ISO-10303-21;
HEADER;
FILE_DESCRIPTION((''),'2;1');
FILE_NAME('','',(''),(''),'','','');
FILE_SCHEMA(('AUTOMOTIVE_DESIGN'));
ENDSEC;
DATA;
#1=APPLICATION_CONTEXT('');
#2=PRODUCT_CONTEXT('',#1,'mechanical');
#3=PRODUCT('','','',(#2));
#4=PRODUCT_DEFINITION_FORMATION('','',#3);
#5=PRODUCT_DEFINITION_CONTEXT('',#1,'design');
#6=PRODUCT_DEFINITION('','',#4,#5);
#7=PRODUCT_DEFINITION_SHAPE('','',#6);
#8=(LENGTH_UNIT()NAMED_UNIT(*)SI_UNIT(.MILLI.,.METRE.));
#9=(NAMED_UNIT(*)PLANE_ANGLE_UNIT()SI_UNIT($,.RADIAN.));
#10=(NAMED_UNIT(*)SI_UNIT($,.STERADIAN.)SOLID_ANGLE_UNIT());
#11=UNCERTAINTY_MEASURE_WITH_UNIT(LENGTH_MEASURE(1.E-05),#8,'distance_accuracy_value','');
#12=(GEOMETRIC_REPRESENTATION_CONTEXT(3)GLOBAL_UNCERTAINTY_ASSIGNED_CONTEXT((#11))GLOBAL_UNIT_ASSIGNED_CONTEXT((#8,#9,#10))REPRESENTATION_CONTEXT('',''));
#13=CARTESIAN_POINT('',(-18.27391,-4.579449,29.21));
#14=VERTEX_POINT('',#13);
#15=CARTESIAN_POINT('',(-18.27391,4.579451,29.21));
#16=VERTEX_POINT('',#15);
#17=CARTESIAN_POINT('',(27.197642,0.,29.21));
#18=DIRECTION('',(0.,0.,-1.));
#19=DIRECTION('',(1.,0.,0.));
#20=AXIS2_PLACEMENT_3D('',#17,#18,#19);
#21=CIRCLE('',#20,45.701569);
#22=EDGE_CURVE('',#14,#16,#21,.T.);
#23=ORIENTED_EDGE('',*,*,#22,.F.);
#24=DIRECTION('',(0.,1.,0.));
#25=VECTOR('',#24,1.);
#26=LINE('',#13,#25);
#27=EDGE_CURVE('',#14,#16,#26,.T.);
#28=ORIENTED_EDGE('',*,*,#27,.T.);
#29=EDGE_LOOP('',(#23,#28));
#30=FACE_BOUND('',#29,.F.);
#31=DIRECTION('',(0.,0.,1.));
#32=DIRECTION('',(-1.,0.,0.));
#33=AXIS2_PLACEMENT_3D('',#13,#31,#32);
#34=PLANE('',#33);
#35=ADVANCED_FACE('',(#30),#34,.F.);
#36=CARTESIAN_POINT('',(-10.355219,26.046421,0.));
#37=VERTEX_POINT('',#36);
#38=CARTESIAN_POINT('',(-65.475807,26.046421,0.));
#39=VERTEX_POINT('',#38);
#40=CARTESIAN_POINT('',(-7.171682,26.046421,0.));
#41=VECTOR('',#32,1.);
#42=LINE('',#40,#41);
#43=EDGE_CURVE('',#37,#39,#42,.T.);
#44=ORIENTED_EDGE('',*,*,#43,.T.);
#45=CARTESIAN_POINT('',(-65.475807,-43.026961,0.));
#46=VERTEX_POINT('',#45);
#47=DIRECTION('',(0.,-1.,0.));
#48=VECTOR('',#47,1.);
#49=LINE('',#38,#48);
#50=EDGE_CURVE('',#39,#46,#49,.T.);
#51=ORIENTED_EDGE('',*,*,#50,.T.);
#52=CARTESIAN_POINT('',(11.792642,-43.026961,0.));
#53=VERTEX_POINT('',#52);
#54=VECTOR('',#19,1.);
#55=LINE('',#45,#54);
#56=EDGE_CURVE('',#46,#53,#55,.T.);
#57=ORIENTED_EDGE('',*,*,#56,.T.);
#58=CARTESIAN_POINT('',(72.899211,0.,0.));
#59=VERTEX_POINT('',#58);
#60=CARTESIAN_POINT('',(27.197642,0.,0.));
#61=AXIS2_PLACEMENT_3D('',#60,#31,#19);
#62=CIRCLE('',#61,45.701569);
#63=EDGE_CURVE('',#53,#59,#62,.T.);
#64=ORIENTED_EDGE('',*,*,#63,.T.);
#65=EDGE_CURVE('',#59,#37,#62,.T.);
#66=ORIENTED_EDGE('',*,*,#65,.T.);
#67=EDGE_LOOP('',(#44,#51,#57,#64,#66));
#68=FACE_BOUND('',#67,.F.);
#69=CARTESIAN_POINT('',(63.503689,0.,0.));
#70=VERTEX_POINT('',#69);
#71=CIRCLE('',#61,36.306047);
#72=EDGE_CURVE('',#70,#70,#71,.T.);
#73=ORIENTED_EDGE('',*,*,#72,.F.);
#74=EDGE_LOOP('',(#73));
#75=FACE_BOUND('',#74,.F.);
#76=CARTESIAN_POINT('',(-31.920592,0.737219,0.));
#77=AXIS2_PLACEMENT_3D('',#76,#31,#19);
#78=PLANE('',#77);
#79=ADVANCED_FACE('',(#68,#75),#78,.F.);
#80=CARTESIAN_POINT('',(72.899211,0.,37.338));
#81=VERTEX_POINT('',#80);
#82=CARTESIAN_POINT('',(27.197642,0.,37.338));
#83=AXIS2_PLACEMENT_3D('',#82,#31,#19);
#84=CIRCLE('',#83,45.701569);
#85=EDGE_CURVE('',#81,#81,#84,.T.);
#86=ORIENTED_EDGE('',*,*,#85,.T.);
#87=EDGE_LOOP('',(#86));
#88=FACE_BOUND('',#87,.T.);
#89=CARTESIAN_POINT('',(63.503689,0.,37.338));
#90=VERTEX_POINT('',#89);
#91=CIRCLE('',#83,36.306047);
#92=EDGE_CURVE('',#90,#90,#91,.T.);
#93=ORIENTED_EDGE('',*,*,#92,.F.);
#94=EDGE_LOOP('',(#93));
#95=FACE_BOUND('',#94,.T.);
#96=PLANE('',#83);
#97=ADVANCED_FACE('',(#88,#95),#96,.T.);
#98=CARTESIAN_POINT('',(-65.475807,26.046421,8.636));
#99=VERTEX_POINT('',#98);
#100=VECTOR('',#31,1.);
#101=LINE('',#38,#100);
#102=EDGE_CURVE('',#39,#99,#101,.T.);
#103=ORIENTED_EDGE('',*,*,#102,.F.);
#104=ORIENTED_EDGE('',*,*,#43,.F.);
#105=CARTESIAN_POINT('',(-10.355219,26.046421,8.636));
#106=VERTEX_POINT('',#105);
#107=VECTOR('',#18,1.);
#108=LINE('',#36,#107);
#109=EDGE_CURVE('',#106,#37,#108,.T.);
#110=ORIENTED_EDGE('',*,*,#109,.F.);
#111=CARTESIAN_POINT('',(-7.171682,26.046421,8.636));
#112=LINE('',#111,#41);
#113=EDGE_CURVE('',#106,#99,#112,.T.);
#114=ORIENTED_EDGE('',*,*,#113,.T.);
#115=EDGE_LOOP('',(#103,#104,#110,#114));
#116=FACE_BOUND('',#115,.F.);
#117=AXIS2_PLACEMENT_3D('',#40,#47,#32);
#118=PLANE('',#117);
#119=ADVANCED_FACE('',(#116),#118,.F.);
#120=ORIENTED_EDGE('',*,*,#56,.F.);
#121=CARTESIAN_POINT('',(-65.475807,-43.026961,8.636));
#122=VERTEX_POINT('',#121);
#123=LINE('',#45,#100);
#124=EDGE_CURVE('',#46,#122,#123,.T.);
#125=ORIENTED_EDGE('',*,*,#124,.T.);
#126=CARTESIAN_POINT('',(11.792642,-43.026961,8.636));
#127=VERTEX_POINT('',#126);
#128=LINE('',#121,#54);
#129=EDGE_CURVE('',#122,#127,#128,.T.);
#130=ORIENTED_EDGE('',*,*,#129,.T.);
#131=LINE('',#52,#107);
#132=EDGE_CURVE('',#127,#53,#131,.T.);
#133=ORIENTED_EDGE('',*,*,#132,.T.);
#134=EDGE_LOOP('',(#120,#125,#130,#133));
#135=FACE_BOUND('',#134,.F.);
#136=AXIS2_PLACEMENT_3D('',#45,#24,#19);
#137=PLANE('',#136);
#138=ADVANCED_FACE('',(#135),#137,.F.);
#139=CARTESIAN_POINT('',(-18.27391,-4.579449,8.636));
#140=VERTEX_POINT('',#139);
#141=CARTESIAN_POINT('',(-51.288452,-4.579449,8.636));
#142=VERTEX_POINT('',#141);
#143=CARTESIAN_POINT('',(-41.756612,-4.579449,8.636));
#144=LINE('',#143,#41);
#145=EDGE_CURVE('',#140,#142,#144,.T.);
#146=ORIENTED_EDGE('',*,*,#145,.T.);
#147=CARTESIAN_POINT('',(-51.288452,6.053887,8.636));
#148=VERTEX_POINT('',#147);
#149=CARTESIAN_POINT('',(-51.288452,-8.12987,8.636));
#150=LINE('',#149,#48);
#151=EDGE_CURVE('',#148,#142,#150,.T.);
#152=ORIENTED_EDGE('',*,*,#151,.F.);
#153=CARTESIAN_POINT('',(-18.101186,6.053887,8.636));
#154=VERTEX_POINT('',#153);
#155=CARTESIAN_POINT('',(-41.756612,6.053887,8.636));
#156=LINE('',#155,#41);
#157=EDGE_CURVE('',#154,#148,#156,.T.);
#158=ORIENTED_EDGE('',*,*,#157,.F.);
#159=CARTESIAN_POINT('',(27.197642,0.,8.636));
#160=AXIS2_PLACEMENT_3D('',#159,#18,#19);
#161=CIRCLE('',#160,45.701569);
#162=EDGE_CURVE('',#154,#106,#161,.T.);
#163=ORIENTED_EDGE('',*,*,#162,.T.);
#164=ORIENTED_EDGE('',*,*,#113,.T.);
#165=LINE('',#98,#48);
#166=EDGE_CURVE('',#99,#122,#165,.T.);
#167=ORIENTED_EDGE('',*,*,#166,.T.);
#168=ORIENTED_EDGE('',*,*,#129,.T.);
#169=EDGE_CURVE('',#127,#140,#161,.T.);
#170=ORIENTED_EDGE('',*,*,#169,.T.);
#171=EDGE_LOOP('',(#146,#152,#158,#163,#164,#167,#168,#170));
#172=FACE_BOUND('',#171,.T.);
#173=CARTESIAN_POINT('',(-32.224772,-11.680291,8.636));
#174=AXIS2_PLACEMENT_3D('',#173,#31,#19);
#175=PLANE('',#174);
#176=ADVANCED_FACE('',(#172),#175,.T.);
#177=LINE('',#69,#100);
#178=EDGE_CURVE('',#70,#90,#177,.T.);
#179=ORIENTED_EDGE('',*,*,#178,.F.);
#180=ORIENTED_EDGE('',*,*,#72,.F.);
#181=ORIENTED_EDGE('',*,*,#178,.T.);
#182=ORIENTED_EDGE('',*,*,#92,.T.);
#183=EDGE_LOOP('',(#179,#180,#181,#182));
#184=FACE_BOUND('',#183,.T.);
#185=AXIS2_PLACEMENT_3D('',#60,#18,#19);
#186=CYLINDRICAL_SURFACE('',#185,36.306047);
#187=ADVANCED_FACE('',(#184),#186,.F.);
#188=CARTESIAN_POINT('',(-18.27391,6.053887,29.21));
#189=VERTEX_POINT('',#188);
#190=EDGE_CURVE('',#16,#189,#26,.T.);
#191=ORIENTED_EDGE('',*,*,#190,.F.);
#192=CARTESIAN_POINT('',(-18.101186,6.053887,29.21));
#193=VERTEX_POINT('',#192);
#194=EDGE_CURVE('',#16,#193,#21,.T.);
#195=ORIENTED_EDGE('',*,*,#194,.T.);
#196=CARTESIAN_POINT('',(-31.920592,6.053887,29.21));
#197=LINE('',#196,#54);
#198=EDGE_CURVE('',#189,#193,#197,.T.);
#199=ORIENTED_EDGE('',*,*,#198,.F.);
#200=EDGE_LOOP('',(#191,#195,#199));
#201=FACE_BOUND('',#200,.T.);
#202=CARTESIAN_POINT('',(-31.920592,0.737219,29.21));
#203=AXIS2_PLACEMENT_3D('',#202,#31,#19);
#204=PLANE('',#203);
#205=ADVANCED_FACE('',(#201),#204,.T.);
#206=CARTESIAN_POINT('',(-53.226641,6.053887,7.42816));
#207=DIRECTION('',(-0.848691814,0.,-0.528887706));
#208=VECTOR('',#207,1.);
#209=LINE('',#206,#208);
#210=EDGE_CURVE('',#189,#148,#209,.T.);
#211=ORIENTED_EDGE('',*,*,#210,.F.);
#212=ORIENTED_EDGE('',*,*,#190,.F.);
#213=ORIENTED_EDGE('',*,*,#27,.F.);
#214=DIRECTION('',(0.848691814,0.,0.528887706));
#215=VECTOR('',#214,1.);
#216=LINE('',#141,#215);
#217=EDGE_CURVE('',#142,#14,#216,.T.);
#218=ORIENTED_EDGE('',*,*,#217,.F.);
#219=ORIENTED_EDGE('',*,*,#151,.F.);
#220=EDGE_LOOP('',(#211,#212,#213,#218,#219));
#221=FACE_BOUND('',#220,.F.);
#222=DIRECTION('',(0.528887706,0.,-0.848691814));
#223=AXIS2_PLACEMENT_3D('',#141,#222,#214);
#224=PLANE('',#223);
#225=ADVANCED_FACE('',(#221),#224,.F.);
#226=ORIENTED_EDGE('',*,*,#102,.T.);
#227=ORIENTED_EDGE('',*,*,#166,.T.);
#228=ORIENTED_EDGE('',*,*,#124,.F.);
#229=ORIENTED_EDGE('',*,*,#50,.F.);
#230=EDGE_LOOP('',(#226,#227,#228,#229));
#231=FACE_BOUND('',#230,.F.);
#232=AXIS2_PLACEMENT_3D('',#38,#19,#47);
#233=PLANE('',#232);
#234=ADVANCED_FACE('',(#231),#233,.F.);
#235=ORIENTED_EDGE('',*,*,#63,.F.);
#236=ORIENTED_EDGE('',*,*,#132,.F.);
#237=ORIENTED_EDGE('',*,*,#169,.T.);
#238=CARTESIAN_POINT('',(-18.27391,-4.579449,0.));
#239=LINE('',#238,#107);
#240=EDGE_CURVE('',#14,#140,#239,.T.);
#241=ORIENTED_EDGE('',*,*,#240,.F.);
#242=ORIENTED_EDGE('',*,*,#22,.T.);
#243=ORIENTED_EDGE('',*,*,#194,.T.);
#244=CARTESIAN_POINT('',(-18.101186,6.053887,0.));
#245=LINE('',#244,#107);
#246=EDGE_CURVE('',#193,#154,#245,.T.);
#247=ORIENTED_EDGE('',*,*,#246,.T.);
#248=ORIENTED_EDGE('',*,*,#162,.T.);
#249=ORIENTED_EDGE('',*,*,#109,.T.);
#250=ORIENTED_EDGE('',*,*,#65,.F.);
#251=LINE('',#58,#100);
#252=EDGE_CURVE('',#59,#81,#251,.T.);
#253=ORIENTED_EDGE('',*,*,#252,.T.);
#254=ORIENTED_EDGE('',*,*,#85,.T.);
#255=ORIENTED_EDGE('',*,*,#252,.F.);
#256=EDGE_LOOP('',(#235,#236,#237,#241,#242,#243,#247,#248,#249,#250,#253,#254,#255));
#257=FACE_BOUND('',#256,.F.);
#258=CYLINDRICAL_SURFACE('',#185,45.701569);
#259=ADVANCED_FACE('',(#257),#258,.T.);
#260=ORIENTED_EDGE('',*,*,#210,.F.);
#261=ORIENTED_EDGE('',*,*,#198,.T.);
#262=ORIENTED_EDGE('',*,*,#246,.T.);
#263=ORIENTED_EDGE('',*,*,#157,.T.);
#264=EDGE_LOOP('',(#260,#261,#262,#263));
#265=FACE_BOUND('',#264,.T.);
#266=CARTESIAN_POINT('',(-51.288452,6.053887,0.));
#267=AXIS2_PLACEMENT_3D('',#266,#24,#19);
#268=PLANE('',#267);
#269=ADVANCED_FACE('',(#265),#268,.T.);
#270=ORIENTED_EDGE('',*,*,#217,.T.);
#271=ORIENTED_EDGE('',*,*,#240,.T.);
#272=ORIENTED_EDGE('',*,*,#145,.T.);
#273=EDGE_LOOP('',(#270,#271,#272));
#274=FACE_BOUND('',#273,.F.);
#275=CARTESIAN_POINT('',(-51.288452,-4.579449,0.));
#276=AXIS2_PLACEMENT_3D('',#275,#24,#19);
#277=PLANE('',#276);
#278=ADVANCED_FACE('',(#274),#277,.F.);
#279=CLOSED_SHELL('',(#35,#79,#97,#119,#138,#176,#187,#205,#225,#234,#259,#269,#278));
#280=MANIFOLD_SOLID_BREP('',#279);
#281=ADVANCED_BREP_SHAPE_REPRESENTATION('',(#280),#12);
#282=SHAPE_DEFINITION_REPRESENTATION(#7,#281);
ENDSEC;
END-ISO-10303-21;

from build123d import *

# Parameters (mm, degrees)
F1_DEPTH = 8.636
F2_R     = 45.701569
F2_R_2   = 36.306047
F3_DEPTH = 37.338
F4_W     = 38.73572
F4_H     = 10.633336
F5_DEPTH = 29.21
F7_DEPTH = 25.4


with BuildPart() as f1:
    # F0 (on Top) → F1 (new body)
    with BuildSketch(Plane.XY):
        with BuildLine():
            Line((-7.171682, 26.046421), (-65.475807, 26.046421))
            Line((-65.475807, 26.046421), (-65.475807, -43.026961))
            Line((-65.475807, -43.026961), (12.891302, -43.026961))
            ThreePointArc((12.891302, -43.026961), (-13.155731, -13.142128), (-7.171682, 26.046421))
        make_face()
    extrude(amount=F1_DEPTH)

    # F2 (on Top) → F3 (join)
    with BuildSketch(Plane.XY):
        with Locations((27.197642, 0)):
            Circle(F2_R)
        with Locations((27.197642, 0)):
            Circle(F2_R_2, mode=Mode.SUBTRACT)
    extrude(amount=F3_DEPTH)

    # F4 (on Top) → F5 (join)
    with BuildSketch(Plane.XY):
        with Locations((-31.920592, 0.737219)):
            Rectangle(F4_W, F4_H)
    extrude(amount=F5_DEPTH)

    # F6 (on face) → F7 (cut)
    with BuildSketch(Plane.XZ.offset(4.579449)):
        Polygon((-51.288452, 8.636), (-18.27391, 29.21), (-51.288452, 29.21), align=None)
    extrude(amount=-F7_DEPTH, mode=Mode.SUBTRACT)


solid = f1.part
